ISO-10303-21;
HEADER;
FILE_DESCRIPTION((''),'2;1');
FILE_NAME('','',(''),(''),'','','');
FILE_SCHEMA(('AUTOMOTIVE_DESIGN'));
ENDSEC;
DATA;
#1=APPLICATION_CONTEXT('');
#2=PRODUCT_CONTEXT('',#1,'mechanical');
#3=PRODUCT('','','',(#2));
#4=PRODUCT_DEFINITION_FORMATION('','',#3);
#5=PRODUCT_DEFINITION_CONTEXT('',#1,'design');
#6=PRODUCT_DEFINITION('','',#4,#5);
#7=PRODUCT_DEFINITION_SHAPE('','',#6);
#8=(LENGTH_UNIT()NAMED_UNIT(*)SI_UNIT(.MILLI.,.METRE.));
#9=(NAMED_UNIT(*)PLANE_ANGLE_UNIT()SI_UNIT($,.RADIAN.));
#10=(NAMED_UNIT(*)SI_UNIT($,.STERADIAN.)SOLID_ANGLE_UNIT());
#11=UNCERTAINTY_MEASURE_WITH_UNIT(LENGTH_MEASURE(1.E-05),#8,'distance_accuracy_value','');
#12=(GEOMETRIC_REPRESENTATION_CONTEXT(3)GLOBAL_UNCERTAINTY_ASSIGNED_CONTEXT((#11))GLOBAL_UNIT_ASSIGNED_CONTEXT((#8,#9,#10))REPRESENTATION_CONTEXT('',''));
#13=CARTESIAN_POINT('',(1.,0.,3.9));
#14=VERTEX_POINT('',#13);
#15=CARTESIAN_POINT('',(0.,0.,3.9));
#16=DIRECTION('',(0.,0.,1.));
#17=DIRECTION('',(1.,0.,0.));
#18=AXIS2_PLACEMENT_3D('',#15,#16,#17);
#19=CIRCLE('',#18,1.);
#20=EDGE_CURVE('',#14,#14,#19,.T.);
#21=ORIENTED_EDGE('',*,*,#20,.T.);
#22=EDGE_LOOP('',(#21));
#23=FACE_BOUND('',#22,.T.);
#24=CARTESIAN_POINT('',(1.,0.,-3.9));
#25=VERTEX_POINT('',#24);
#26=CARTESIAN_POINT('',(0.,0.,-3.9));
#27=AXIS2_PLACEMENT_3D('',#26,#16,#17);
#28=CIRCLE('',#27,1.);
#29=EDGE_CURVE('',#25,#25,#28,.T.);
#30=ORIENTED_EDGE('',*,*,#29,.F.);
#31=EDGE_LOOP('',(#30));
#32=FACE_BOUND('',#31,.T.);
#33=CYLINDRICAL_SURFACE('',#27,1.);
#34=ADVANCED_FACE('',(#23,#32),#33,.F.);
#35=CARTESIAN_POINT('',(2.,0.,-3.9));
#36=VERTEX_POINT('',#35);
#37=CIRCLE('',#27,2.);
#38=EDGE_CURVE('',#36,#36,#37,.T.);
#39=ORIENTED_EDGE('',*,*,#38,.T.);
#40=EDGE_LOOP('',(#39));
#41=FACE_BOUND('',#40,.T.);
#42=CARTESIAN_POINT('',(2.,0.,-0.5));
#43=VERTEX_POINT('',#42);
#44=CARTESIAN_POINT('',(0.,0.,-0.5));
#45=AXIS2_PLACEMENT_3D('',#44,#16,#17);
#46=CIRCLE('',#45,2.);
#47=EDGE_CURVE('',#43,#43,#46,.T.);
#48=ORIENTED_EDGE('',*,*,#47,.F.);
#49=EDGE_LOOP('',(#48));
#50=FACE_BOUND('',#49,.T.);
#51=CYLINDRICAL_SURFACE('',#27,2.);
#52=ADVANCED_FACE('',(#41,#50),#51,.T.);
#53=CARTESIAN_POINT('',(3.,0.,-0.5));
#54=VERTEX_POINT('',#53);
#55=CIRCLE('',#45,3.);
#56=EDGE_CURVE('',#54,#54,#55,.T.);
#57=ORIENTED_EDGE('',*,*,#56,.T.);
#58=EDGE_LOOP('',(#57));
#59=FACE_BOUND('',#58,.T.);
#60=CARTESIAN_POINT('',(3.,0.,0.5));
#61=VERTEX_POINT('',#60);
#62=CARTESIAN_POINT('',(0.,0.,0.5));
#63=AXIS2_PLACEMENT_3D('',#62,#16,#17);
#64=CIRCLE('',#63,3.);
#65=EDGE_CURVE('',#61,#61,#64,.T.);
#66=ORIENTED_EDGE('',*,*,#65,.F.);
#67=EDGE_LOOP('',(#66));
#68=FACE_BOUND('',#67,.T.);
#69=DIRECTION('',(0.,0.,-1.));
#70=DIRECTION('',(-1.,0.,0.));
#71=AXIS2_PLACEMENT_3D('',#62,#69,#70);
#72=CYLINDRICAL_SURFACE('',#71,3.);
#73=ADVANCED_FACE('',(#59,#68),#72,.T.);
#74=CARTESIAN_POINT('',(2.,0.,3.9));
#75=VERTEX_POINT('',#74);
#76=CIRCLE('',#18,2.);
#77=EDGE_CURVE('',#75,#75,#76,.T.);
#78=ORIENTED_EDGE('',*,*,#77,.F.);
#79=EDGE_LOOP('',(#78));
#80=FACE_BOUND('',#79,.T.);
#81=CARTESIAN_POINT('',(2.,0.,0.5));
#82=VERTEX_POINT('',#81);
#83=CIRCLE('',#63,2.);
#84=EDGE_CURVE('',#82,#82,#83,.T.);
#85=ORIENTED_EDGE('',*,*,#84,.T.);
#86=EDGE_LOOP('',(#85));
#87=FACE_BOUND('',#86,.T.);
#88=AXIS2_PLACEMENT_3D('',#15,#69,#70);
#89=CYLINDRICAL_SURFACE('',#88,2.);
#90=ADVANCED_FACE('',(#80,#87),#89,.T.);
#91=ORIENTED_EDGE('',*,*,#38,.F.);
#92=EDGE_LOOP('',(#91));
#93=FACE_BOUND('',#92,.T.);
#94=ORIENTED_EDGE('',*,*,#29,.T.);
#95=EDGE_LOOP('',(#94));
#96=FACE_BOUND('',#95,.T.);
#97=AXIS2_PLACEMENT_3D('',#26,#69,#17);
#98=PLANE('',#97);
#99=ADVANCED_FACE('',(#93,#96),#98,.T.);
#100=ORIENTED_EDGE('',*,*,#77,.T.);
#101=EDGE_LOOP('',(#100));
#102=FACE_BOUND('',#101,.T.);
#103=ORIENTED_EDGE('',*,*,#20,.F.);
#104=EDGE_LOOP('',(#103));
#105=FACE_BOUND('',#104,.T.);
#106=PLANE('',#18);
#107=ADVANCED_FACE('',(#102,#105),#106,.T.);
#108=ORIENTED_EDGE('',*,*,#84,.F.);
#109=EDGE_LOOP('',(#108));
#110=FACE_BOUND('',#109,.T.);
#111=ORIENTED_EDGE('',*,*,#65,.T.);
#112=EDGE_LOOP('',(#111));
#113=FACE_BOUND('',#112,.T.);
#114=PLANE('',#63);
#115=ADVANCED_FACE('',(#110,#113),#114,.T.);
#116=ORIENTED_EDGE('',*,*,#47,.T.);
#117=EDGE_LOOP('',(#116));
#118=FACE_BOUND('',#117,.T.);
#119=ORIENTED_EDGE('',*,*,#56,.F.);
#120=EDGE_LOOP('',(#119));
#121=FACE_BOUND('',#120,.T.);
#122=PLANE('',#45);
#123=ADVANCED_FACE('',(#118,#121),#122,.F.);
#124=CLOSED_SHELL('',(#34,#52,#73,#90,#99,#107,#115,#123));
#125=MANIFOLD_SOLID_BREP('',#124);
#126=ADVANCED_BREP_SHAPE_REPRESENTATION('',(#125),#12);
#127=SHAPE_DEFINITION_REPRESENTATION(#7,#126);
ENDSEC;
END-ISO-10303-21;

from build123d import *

# Parameters (mm, degrees)
FLANGE_SKETCH_R      = 3
FLANGE_EXTRUDE_DEPTH = 0.5
JOINT_SKETCH_R       = 2
JOINT_EXTRUDE_DEPTH  = 3.4
HOLE_SKETCH_R        = 1
HOLE_EXTRUDE_DEPTH   = 9.879189152


with BuildPart() as part:
    # Flange Sketch → Flange Extrude (new, symmetric)
    with BuildSketch(Plane.XY):
        Circle(FLANGE_SKETCH_R)
    extrude(amount=FLANGE_EXTRUDE_DEPTH, both=True)

    # Joint Sketch → Joint Extrude (add)
    with BuildSketch(Plane.XY.offset(0.5)):
        Circle(JOINT_SKETCH_R)
    joint_extrude = extrude(amount=JOINT_EXTRUDE_DEPTH)

    # Joint Mirror: Joint Extrude across plane
    add(joint_extrude.mirror(Plane.XY))

    # Hole Sketch → Hole Extrude (cut, through all)
    with BuildSketch(Plane.XY.offset(3.9)):
        Circle(HOLE_SKETCH_R)
    extrude(amount=-HOLE_EXTRUDE_DEPTH, mode=Mode.SUBTRACT)


solid = part.part
